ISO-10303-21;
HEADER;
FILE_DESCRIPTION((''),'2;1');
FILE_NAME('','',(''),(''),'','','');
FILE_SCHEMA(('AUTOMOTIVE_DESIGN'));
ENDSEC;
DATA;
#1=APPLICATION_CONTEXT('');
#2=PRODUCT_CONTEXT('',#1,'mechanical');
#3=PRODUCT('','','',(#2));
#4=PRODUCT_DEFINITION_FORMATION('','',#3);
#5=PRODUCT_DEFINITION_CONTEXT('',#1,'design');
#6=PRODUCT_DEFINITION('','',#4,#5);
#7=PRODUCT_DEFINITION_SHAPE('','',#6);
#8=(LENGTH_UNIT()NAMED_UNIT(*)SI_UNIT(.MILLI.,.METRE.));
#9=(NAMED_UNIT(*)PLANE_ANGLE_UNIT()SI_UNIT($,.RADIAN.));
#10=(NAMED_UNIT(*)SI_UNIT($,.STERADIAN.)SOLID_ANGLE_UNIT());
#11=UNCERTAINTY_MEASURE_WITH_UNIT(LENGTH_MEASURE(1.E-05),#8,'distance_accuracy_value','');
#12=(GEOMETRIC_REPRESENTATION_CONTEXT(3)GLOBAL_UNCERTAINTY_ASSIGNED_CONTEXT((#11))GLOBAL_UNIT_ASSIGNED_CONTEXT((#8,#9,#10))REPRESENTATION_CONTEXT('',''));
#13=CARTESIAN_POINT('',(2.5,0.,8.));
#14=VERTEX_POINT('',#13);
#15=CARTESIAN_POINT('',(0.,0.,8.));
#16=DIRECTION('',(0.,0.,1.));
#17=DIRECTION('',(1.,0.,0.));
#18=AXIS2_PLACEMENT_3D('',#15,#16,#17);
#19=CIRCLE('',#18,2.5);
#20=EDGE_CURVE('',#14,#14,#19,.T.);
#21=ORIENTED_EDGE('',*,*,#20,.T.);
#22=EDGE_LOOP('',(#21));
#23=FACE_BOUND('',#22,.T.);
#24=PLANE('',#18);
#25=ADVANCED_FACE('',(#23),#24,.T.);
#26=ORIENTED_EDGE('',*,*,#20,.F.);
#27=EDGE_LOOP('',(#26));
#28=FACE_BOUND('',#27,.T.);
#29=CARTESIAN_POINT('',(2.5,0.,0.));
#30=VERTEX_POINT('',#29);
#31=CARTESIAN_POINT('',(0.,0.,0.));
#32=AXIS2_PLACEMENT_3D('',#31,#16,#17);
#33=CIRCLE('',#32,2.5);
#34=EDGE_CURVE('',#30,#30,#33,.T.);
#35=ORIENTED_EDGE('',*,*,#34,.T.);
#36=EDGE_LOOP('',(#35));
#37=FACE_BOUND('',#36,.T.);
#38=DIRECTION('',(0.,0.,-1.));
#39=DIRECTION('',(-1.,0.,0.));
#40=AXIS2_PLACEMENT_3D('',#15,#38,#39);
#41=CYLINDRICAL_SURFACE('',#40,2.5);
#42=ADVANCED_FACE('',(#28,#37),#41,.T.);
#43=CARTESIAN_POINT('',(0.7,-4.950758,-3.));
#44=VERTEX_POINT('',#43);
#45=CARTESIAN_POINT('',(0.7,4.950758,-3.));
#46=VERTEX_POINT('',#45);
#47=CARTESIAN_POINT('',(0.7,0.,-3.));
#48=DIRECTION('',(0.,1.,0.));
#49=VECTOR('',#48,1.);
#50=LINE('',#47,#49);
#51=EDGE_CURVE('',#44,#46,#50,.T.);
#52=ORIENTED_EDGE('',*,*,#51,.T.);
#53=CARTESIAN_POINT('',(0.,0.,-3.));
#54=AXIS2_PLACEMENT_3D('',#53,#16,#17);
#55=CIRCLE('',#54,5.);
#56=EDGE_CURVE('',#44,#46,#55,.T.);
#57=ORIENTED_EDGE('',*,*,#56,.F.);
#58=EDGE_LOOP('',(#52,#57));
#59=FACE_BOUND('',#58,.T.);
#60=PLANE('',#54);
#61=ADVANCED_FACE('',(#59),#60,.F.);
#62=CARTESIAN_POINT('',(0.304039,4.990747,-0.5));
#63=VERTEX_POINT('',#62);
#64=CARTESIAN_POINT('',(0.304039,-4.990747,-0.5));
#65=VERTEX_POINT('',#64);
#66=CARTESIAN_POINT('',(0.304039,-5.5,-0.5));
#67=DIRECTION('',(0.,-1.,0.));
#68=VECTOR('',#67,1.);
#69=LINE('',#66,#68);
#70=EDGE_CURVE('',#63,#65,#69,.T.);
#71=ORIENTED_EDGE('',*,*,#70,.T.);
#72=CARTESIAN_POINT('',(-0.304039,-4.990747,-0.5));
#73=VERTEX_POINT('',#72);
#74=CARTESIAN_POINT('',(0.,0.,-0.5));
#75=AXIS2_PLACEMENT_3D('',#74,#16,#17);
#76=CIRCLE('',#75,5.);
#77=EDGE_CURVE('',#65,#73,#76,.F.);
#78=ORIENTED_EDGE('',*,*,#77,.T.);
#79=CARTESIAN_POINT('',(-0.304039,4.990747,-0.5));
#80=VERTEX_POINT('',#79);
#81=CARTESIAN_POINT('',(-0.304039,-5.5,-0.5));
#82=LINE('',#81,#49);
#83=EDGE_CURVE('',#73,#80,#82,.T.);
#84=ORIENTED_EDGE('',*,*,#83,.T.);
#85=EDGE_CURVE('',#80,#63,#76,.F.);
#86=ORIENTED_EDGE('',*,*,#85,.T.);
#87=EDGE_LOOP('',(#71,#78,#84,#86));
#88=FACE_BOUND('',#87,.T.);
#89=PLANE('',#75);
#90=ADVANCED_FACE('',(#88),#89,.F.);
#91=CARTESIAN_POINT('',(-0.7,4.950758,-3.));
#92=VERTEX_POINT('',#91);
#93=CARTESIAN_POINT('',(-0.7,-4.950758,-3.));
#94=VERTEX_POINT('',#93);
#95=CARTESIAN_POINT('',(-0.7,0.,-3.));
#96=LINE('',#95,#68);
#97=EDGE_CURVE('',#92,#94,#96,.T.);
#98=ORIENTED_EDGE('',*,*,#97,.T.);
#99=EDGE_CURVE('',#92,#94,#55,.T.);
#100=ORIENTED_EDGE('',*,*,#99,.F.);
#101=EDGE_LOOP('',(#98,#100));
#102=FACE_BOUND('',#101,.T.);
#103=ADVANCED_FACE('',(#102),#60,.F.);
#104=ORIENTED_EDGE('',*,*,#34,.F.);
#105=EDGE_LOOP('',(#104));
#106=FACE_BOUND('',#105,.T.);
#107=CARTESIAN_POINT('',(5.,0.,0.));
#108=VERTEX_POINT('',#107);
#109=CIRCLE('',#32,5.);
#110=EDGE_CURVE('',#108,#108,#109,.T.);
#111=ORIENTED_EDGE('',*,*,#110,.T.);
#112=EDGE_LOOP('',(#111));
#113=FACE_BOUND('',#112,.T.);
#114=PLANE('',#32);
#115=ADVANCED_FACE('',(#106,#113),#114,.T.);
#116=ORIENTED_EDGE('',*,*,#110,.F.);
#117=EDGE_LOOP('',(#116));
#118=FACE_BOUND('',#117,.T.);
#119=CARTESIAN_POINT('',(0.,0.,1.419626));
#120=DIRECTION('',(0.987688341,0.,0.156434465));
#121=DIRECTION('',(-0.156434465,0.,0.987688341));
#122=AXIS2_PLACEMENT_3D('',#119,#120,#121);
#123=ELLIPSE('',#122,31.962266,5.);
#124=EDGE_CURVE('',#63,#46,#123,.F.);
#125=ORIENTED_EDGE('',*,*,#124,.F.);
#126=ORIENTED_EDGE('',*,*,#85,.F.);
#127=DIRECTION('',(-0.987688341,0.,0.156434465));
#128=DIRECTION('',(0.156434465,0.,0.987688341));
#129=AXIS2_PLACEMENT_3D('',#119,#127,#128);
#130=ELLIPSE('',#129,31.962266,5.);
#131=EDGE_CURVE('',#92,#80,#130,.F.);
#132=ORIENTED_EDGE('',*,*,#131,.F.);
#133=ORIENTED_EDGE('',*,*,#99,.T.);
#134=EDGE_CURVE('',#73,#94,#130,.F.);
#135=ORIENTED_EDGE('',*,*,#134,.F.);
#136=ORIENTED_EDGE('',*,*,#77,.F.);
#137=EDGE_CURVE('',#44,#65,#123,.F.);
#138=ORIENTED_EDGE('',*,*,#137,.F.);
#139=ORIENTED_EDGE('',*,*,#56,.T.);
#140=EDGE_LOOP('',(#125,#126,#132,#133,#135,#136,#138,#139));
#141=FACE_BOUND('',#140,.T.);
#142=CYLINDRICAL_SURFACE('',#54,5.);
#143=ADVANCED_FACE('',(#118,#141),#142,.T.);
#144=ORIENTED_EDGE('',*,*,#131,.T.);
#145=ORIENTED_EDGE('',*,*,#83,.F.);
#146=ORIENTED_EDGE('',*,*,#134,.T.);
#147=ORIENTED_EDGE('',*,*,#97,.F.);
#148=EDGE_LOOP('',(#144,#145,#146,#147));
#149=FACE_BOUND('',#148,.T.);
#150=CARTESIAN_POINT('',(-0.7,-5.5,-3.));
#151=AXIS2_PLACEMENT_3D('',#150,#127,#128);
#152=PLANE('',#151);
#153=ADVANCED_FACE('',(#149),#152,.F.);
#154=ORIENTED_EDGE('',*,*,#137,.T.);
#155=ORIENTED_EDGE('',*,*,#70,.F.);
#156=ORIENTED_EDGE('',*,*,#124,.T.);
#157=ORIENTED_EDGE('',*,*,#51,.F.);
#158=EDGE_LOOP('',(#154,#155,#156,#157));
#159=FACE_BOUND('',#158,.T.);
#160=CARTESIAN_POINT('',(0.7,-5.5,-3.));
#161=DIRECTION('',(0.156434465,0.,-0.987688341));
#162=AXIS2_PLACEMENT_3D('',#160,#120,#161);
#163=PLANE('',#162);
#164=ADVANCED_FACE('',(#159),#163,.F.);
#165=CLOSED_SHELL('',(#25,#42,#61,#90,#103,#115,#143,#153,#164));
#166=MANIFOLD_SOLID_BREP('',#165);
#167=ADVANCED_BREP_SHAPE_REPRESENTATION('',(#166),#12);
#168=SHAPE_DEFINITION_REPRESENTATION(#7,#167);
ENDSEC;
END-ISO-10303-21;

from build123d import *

# Parameters (mm, degrees)
CROQUIS1_R              = 2.5
SALIENTE_EXTRUIR1_DEPTH = 8
CROQUIS2_R              = 5
SALIENTE_EXTRUIR2_DEPTH = 3
CROQUIS3_W              = 1.4
CROQUIS3_H              = 11
CORTAR_EXTRUIR2_DEPTH   = 2.5
CORTAR_EXTRUIR2_TAPER   = 9


with BuildPart() as part:
    # Croquis1 → Saliente-Extruir1 (new body)
    with BuildSketch(Plane.XY):
        Circle(CROQUIS1_R)
    extrude(amount=SALIENTE_EXTRUIR1_DEPTH)

    # Croquis2 → Saliente-Extruir2 (add)
    with BuildSketch(Plane.XY):
        Circle(CROQUIS2_R)
    extrude(amount=-SALIENTE_EXTRUIR2_DEPTH)

    # Croquis3 → Cortar-Extruir2 (cut)
    with BuildSketch(Plane(origin=(0, 0, -3), x_dir=(-1, 0, 0), z_dir=(0, 0, -1))):
        Rectangle(CROQUIS3_W, CROQUIS3_H)
    extrude(amount=-CORTAR_EXTRUIR2_DEPTH, taper=CORTAR_EXTRUIR2_TAPER, mode=Mode.SUBTRACT)


solid = part.part
